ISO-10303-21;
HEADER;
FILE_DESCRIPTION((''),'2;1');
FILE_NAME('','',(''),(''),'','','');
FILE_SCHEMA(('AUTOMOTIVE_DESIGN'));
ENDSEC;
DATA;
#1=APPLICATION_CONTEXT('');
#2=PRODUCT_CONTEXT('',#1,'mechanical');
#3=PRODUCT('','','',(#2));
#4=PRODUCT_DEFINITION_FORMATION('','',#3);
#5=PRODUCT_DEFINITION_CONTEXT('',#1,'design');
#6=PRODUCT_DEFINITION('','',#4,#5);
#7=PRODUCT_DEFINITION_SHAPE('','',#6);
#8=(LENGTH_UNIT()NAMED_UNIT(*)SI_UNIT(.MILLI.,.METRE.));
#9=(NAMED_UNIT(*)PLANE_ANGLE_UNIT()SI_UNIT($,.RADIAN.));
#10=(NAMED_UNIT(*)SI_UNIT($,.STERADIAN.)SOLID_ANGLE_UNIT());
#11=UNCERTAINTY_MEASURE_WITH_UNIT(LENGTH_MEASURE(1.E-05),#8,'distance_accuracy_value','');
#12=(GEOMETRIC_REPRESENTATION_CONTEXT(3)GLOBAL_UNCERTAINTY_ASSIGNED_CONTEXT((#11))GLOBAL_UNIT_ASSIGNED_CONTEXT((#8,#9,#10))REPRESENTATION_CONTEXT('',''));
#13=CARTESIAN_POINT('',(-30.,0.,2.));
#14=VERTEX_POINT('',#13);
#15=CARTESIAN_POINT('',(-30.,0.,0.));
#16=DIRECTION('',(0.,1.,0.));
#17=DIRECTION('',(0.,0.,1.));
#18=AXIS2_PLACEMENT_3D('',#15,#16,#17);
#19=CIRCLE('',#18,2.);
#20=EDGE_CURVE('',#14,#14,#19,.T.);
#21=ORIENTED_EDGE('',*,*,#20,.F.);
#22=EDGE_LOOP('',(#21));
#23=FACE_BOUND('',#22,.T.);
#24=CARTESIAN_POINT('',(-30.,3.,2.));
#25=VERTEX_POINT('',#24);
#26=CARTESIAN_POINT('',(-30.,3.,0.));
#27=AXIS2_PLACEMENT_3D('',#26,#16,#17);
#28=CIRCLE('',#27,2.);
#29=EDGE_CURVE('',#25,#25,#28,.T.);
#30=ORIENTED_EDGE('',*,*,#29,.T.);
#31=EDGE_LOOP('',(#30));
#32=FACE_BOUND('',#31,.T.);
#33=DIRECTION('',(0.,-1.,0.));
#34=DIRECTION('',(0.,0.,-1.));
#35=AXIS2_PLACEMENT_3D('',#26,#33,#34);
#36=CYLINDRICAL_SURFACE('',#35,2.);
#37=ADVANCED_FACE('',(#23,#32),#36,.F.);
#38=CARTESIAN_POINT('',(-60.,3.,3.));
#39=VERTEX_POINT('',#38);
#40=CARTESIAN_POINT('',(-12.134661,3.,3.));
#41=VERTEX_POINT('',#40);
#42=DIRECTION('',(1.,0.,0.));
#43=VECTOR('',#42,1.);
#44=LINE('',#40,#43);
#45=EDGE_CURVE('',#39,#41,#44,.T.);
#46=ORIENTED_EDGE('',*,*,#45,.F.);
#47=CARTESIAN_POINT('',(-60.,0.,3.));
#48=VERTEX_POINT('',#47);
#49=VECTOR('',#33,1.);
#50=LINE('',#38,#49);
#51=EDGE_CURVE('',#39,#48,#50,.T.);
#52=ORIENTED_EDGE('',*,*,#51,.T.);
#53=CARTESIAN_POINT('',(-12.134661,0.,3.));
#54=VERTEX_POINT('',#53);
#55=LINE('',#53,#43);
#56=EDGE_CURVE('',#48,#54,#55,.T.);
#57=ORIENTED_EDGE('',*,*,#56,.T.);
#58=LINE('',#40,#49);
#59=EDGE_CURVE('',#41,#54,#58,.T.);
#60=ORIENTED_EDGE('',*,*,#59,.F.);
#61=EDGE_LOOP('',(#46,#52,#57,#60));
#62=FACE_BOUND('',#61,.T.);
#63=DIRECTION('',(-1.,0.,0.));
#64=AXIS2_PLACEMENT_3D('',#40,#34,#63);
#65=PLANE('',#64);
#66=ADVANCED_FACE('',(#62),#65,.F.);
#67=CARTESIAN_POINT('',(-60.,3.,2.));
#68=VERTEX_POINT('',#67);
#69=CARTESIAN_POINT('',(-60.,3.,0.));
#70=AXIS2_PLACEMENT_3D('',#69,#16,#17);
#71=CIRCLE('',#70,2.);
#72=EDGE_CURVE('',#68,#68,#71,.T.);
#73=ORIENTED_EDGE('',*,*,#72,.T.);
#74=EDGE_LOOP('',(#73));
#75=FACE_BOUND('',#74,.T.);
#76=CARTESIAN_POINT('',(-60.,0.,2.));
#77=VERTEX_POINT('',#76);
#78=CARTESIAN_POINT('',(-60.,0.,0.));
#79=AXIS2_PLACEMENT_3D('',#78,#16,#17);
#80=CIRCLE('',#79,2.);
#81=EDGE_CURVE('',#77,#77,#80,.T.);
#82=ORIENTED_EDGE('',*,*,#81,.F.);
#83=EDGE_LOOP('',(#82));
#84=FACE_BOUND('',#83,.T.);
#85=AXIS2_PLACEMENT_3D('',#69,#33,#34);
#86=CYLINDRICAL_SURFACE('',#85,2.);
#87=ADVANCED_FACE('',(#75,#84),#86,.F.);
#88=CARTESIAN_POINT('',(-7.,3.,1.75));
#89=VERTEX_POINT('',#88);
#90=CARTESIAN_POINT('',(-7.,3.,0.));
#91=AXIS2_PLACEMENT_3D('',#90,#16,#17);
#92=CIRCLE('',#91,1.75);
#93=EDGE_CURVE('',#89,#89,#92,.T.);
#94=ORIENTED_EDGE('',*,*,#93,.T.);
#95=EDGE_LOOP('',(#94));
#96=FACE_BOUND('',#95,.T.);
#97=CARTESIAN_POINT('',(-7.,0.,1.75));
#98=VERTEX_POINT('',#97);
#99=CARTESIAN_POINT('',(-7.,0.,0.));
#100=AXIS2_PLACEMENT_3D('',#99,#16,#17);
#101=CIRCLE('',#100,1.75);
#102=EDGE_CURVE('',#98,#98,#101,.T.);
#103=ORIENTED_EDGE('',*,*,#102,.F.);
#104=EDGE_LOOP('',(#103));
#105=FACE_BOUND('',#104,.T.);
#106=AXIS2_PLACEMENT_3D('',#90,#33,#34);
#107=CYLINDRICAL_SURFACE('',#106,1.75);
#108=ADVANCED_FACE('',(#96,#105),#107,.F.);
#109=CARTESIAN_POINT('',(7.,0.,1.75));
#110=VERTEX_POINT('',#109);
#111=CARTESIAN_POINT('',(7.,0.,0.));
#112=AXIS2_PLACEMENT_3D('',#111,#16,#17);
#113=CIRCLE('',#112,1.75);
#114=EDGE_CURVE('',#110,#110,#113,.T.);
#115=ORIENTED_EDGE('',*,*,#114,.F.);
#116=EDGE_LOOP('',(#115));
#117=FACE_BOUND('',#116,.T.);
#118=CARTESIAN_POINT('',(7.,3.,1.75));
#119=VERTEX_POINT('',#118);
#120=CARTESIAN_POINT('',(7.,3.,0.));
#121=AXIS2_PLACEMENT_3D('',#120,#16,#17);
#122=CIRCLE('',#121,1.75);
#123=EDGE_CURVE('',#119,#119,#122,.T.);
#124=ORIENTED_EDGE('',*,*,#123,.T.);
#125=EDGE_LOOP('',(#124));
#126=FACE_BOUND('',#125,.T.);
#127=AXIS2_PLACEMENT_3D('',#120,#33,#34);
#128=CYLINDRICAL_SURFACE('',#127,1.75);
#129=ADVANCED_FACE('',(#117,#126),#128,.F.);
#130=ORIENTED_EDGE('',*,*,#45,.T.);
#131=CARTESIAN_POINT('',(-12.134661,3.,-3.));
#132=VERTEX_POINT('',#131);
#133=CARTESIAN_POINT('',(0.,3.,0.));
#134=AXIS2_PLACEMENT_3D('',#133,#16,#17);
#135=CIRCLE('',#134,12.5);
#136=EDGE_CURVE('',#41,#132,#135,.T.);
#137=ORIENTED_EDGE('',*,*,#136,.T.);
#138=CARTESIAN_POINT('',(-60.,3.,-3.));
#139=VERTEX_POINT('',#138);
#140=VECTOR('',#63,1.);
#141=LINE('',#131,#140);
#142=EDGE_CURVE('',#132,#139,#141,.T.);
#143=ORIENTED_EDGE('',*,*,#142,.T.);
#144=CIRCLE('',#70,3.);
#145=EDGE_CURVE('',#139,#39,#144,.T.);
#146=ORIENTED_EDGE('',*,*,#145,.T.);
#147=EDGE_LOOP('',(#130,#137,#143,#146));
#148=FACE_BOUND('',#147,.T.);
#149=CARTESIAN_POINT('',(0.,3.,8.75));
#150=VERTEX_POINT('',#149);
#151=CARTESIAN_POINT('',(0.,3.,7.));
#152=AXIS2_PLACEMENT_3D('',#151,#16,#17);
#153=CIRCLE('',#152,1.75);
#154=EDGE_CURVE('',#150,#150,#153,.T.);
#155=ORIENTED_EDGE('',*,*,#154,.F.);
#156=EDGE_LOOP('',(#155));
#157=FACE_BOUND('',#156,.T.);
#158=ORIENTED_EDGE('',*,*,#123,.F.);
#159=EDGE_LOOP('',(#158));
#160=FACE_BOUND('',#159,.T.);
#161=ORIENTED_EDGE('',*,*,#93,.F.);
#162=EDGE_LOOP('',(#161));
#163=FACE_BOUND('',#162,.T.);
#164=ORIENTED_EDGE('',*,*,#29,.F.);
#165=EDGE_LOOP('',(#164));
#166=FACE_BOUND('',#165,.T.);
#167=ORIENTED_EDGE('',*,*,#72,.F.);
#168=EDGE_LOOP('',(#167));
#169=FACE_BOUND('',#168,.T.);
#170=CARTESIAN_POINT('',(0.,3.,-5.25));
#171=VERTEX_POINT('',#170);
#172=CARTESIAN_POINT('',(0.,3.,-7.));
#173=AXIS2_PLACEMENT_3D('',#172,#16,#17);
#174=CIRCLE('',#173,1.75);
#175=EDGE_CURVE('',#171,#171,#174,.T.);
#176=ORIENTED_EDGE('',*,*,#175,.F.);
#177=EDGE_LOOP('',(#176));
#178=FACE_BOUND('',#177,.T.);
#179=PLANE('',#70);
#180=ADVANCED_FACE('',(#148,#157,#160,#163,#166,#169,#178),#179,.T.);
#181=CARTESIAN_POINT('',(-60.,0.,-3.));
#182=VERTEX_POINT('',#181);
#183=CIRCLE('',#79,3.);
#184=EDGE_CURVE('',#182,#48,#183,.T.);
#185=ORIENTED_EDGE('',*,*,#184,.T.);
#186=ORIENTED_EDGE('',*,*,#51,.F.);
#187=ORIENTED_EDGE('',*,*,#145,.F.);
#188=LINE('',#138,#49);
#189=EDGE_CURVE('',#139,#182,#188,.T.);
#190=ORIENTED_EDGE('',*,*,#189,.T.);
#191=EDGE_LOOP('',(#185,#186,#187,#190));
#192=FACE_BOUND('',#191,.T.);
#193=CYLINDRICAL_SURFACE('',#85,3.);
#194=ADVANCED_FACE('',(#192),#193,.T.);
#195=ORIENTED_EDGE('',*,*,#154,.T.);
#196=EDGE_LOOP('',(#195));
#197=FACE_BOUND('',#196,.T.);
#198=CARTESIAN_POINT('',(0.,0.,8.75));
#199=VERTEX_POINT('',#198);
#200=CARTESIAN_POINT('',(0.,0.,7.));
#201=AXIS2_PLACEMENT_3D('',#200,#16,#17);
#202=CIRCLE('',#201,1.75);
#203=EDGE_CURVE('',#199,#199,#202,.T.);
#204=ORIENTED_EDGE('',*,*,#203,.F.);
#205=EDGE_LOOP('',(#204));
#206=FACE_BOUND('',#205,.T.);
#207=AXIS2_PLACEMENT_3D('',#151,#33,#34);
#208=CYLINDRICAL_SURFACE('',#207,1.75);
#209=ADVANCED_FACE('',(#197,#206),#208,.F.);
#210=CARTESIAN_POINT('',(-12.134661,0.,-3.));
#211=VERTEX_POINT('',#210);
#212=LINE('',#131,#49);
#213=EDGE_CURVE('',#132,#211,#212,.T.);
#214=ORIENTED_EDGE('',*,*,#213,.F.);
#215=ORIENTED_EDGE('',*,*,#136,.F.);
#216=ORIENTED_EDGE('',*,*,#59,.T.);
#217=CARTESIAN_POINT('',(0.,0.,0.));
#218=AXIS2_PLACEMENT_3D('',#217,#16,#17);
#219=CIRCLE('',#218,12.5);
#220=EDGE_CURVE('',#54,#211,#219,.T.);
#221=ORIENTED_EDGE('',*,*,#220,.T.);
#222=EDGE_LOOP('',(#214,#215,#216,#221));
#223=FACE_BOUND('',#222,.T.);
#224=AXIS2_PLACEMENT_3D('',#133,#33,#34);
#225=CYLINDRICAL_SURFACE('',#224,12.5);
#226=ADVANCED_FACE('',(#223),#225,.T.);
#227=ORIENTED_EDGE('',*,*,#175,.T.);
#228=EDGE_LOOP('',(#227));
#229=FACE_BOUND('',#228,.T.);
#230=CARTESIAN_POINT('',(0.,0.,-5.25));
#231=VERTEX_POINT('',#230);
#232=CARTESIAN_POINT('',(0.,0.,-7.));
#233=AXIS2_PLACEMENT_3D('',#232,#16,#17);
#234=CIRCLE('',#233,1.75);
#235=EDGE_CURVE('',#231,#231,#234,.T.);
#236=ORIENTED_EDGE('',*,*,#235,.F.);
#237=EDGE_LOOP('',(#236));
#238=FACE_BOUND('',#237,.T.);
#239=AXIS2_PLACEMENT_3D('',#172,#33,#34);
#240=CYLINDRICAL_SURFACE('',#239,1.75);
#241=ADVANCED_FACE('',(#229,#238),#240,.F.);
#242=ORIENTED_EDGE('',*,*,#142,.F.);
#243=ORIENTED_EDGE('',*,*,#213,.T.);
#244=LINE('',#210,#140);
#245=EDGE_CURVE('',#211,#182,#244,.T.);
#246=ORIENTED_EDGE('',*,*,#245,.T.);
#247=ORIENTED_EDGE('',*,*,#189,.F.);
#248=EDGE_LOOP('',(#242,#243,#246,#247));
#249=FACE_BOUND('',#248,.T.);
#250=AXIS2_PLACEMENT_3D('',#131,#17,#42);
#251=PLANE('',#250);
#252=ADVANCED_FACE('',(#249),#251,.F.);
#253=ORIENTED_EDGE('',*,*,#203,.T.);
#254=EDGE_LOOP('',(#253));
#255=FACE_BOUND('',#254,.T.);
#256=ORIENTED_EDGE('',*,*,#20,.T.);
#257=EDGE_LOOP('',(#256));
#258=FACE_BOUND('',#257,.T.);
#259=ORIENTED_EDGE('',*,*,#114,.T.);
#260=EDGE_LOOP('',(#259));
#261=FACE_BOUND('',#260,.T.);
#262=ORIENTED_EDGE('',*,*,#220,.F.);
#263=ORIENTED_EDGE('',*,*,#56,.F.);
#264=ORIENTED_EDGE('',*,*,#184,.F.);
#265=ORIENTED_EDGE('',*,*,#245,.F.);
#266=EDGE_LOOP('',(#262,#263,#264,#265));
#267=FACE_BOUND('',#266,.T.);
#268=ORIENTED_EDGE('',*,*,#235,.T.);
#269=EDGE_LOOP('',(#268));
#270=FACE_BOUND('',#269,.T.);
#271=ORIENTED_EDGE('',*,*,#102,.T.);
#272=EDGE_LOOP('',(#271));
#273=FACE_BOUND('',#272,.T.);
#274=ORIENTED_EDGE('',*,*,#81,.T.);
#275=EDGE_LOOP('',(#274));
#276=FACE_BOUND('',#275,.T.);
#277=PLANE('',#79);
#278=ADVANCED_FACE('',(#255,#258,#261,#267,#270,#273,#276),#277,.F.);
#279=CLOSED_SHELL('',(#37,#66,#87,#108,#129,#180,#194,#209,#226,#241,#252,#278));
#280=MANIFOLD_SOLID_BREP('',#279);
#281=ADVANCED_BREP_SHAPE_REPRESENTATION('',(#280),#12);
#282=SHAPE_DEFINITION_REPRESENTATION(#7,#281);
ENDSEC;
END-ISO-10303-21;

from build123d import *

# Parameters (mm, degrees)
SKETCH_1_R      = 1.75
SKETCH_1_R_2    = 2
EXTRUDE_1_DEPTH = 3


with BuildPart() as part:
    # 草图1 → 凸台-拉伸1 (new body)
    with BuildSketch(Plane(origin=(0, 0, 0), x_dir=(1, 0, 0), z_dir=(0, 1, 0))):
        with BuildLine():
            Line((-12.1346611, -3), (-60, -3))
            ThreePointArc((-60, -3), (-63, 0), (-60, 3))
            Line((-60, 3), (-12.1346611, 3))
            ThreePointArc((-12.1346611, 3), (12.5, 0), (-12.1346611, -3))
        make_face()
        with Locations(Location((0, 7, 0), (0, 0, 270))):
            Circle(SKETCH_1_R, mode=Mode.SUBTRACT)
        with Locations(Location((7, 0, 0), (0, 0, 270))):
            Circle(SKETCH_1_R, mode=Mode.SUBTRACT)
        with Locations(Location((0, -7, 0), (0, 0, 270))):
            Circle(SKETCH_1_R, mode=Mode.SUBTRACT)
        with Locations(Location((-7, 0, 0), (0, 0, 270))):
            Circle(SKETCH_1_R, mode=Mode.SUBTRACT)
        with Locations(Location((-60, 0, 0), (0, 0, 270))):
            Circle(SKETCH_1_R_2, mode=Mode.SUBTRACT)
        with Locations(Location((-30, 0, 0), (0, 0, 270))):
            Circle(SKETCH_1_R_2, mode=Mode.SUBTRACT)
    extrude(amount=EXTRUDE_1_DEPTH)


solid = part.part
